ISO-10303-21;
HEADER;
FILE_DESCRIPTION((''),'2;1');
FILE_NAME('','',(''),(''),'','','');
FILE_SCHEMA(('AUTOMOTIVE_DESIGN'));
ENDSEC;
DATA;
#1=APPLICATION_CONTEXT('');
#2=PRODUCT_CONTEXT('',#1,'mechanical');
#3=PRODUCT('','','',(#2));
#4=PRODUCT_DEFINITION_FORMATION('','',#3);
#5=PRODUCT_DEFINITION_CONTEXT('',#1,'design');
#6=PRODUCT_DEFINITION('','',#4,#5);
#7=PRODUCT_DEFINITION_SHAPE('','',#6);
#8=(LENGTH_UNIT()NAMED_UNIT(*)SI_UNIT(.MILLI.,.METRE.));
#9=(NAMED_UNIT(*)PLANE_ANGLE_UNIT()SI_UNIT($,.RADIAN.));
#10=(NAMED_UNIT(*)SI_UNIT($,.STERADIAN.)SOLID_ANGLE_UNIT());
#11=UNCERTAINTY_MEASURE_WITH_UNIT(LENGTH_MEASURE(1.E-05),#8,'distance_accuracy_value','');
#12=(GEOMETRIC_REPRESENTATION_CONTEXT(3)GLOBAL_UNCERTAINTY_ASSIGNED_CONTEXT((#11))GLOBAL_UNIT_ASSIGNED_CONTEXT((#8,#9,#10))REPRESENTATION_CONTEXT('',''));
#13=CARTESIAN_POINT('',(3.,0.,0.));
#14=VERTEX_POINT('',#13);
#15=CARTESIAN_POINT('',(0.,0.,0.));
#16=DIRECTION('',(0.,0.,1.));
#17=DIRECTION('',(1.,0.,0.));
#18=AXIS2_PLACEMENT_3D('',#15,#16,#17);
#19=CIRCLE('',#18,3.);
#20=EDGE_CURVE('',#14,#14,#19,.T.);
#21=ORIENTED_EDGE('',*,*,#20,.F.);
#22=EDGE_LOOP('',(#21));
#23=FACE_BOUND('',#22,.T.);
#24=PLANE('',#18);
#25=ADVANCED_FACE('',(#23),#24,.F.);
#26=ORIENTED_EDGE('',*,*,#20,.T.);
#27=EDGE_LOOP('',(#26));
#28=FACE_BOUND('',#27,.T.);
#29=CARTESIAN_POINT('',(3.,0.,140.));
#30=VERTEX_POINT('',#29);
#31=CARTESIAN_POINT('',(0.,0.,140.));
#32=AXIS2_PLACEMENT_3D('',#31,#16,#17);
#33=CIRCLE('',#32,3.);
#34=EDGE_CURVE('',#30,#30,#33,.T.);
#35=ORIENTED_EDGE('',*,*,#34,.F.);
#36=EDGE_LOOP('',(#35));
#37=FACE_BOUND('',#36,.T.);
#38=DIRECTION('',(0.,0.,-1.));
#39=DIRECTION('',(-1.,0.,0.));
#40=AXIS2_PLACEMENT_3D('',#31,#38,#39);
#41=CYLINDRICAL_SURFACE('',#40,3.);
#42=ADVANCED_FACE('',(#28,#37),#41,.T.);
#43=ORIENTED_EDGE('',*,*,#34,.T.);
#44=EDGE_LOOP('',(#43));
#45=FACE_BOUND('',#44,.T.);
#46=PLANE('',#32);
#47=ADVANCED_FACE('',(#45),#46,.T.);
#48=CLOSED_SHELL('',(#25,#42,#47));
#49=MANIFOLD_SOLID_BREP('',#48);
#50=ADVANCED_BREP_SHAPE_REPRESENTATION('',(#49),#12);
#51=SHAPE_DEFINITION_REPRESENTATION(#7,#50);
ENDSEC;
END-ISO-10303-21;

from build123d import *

# Parameters (mm, degrees)
SKETCH1_R           = 3
BOSS_EXTRUDE1_DEPTH = 140


with BuildPart() as part:
    # Sketch1 → Boss-Extrude1 (new body)
    with BuildSketch(Plane.XY):
        Circle(SKETCH1_R)
    extrude(amount=BOSS_EXTRUDE1_DEPTH)


solid = part.part
